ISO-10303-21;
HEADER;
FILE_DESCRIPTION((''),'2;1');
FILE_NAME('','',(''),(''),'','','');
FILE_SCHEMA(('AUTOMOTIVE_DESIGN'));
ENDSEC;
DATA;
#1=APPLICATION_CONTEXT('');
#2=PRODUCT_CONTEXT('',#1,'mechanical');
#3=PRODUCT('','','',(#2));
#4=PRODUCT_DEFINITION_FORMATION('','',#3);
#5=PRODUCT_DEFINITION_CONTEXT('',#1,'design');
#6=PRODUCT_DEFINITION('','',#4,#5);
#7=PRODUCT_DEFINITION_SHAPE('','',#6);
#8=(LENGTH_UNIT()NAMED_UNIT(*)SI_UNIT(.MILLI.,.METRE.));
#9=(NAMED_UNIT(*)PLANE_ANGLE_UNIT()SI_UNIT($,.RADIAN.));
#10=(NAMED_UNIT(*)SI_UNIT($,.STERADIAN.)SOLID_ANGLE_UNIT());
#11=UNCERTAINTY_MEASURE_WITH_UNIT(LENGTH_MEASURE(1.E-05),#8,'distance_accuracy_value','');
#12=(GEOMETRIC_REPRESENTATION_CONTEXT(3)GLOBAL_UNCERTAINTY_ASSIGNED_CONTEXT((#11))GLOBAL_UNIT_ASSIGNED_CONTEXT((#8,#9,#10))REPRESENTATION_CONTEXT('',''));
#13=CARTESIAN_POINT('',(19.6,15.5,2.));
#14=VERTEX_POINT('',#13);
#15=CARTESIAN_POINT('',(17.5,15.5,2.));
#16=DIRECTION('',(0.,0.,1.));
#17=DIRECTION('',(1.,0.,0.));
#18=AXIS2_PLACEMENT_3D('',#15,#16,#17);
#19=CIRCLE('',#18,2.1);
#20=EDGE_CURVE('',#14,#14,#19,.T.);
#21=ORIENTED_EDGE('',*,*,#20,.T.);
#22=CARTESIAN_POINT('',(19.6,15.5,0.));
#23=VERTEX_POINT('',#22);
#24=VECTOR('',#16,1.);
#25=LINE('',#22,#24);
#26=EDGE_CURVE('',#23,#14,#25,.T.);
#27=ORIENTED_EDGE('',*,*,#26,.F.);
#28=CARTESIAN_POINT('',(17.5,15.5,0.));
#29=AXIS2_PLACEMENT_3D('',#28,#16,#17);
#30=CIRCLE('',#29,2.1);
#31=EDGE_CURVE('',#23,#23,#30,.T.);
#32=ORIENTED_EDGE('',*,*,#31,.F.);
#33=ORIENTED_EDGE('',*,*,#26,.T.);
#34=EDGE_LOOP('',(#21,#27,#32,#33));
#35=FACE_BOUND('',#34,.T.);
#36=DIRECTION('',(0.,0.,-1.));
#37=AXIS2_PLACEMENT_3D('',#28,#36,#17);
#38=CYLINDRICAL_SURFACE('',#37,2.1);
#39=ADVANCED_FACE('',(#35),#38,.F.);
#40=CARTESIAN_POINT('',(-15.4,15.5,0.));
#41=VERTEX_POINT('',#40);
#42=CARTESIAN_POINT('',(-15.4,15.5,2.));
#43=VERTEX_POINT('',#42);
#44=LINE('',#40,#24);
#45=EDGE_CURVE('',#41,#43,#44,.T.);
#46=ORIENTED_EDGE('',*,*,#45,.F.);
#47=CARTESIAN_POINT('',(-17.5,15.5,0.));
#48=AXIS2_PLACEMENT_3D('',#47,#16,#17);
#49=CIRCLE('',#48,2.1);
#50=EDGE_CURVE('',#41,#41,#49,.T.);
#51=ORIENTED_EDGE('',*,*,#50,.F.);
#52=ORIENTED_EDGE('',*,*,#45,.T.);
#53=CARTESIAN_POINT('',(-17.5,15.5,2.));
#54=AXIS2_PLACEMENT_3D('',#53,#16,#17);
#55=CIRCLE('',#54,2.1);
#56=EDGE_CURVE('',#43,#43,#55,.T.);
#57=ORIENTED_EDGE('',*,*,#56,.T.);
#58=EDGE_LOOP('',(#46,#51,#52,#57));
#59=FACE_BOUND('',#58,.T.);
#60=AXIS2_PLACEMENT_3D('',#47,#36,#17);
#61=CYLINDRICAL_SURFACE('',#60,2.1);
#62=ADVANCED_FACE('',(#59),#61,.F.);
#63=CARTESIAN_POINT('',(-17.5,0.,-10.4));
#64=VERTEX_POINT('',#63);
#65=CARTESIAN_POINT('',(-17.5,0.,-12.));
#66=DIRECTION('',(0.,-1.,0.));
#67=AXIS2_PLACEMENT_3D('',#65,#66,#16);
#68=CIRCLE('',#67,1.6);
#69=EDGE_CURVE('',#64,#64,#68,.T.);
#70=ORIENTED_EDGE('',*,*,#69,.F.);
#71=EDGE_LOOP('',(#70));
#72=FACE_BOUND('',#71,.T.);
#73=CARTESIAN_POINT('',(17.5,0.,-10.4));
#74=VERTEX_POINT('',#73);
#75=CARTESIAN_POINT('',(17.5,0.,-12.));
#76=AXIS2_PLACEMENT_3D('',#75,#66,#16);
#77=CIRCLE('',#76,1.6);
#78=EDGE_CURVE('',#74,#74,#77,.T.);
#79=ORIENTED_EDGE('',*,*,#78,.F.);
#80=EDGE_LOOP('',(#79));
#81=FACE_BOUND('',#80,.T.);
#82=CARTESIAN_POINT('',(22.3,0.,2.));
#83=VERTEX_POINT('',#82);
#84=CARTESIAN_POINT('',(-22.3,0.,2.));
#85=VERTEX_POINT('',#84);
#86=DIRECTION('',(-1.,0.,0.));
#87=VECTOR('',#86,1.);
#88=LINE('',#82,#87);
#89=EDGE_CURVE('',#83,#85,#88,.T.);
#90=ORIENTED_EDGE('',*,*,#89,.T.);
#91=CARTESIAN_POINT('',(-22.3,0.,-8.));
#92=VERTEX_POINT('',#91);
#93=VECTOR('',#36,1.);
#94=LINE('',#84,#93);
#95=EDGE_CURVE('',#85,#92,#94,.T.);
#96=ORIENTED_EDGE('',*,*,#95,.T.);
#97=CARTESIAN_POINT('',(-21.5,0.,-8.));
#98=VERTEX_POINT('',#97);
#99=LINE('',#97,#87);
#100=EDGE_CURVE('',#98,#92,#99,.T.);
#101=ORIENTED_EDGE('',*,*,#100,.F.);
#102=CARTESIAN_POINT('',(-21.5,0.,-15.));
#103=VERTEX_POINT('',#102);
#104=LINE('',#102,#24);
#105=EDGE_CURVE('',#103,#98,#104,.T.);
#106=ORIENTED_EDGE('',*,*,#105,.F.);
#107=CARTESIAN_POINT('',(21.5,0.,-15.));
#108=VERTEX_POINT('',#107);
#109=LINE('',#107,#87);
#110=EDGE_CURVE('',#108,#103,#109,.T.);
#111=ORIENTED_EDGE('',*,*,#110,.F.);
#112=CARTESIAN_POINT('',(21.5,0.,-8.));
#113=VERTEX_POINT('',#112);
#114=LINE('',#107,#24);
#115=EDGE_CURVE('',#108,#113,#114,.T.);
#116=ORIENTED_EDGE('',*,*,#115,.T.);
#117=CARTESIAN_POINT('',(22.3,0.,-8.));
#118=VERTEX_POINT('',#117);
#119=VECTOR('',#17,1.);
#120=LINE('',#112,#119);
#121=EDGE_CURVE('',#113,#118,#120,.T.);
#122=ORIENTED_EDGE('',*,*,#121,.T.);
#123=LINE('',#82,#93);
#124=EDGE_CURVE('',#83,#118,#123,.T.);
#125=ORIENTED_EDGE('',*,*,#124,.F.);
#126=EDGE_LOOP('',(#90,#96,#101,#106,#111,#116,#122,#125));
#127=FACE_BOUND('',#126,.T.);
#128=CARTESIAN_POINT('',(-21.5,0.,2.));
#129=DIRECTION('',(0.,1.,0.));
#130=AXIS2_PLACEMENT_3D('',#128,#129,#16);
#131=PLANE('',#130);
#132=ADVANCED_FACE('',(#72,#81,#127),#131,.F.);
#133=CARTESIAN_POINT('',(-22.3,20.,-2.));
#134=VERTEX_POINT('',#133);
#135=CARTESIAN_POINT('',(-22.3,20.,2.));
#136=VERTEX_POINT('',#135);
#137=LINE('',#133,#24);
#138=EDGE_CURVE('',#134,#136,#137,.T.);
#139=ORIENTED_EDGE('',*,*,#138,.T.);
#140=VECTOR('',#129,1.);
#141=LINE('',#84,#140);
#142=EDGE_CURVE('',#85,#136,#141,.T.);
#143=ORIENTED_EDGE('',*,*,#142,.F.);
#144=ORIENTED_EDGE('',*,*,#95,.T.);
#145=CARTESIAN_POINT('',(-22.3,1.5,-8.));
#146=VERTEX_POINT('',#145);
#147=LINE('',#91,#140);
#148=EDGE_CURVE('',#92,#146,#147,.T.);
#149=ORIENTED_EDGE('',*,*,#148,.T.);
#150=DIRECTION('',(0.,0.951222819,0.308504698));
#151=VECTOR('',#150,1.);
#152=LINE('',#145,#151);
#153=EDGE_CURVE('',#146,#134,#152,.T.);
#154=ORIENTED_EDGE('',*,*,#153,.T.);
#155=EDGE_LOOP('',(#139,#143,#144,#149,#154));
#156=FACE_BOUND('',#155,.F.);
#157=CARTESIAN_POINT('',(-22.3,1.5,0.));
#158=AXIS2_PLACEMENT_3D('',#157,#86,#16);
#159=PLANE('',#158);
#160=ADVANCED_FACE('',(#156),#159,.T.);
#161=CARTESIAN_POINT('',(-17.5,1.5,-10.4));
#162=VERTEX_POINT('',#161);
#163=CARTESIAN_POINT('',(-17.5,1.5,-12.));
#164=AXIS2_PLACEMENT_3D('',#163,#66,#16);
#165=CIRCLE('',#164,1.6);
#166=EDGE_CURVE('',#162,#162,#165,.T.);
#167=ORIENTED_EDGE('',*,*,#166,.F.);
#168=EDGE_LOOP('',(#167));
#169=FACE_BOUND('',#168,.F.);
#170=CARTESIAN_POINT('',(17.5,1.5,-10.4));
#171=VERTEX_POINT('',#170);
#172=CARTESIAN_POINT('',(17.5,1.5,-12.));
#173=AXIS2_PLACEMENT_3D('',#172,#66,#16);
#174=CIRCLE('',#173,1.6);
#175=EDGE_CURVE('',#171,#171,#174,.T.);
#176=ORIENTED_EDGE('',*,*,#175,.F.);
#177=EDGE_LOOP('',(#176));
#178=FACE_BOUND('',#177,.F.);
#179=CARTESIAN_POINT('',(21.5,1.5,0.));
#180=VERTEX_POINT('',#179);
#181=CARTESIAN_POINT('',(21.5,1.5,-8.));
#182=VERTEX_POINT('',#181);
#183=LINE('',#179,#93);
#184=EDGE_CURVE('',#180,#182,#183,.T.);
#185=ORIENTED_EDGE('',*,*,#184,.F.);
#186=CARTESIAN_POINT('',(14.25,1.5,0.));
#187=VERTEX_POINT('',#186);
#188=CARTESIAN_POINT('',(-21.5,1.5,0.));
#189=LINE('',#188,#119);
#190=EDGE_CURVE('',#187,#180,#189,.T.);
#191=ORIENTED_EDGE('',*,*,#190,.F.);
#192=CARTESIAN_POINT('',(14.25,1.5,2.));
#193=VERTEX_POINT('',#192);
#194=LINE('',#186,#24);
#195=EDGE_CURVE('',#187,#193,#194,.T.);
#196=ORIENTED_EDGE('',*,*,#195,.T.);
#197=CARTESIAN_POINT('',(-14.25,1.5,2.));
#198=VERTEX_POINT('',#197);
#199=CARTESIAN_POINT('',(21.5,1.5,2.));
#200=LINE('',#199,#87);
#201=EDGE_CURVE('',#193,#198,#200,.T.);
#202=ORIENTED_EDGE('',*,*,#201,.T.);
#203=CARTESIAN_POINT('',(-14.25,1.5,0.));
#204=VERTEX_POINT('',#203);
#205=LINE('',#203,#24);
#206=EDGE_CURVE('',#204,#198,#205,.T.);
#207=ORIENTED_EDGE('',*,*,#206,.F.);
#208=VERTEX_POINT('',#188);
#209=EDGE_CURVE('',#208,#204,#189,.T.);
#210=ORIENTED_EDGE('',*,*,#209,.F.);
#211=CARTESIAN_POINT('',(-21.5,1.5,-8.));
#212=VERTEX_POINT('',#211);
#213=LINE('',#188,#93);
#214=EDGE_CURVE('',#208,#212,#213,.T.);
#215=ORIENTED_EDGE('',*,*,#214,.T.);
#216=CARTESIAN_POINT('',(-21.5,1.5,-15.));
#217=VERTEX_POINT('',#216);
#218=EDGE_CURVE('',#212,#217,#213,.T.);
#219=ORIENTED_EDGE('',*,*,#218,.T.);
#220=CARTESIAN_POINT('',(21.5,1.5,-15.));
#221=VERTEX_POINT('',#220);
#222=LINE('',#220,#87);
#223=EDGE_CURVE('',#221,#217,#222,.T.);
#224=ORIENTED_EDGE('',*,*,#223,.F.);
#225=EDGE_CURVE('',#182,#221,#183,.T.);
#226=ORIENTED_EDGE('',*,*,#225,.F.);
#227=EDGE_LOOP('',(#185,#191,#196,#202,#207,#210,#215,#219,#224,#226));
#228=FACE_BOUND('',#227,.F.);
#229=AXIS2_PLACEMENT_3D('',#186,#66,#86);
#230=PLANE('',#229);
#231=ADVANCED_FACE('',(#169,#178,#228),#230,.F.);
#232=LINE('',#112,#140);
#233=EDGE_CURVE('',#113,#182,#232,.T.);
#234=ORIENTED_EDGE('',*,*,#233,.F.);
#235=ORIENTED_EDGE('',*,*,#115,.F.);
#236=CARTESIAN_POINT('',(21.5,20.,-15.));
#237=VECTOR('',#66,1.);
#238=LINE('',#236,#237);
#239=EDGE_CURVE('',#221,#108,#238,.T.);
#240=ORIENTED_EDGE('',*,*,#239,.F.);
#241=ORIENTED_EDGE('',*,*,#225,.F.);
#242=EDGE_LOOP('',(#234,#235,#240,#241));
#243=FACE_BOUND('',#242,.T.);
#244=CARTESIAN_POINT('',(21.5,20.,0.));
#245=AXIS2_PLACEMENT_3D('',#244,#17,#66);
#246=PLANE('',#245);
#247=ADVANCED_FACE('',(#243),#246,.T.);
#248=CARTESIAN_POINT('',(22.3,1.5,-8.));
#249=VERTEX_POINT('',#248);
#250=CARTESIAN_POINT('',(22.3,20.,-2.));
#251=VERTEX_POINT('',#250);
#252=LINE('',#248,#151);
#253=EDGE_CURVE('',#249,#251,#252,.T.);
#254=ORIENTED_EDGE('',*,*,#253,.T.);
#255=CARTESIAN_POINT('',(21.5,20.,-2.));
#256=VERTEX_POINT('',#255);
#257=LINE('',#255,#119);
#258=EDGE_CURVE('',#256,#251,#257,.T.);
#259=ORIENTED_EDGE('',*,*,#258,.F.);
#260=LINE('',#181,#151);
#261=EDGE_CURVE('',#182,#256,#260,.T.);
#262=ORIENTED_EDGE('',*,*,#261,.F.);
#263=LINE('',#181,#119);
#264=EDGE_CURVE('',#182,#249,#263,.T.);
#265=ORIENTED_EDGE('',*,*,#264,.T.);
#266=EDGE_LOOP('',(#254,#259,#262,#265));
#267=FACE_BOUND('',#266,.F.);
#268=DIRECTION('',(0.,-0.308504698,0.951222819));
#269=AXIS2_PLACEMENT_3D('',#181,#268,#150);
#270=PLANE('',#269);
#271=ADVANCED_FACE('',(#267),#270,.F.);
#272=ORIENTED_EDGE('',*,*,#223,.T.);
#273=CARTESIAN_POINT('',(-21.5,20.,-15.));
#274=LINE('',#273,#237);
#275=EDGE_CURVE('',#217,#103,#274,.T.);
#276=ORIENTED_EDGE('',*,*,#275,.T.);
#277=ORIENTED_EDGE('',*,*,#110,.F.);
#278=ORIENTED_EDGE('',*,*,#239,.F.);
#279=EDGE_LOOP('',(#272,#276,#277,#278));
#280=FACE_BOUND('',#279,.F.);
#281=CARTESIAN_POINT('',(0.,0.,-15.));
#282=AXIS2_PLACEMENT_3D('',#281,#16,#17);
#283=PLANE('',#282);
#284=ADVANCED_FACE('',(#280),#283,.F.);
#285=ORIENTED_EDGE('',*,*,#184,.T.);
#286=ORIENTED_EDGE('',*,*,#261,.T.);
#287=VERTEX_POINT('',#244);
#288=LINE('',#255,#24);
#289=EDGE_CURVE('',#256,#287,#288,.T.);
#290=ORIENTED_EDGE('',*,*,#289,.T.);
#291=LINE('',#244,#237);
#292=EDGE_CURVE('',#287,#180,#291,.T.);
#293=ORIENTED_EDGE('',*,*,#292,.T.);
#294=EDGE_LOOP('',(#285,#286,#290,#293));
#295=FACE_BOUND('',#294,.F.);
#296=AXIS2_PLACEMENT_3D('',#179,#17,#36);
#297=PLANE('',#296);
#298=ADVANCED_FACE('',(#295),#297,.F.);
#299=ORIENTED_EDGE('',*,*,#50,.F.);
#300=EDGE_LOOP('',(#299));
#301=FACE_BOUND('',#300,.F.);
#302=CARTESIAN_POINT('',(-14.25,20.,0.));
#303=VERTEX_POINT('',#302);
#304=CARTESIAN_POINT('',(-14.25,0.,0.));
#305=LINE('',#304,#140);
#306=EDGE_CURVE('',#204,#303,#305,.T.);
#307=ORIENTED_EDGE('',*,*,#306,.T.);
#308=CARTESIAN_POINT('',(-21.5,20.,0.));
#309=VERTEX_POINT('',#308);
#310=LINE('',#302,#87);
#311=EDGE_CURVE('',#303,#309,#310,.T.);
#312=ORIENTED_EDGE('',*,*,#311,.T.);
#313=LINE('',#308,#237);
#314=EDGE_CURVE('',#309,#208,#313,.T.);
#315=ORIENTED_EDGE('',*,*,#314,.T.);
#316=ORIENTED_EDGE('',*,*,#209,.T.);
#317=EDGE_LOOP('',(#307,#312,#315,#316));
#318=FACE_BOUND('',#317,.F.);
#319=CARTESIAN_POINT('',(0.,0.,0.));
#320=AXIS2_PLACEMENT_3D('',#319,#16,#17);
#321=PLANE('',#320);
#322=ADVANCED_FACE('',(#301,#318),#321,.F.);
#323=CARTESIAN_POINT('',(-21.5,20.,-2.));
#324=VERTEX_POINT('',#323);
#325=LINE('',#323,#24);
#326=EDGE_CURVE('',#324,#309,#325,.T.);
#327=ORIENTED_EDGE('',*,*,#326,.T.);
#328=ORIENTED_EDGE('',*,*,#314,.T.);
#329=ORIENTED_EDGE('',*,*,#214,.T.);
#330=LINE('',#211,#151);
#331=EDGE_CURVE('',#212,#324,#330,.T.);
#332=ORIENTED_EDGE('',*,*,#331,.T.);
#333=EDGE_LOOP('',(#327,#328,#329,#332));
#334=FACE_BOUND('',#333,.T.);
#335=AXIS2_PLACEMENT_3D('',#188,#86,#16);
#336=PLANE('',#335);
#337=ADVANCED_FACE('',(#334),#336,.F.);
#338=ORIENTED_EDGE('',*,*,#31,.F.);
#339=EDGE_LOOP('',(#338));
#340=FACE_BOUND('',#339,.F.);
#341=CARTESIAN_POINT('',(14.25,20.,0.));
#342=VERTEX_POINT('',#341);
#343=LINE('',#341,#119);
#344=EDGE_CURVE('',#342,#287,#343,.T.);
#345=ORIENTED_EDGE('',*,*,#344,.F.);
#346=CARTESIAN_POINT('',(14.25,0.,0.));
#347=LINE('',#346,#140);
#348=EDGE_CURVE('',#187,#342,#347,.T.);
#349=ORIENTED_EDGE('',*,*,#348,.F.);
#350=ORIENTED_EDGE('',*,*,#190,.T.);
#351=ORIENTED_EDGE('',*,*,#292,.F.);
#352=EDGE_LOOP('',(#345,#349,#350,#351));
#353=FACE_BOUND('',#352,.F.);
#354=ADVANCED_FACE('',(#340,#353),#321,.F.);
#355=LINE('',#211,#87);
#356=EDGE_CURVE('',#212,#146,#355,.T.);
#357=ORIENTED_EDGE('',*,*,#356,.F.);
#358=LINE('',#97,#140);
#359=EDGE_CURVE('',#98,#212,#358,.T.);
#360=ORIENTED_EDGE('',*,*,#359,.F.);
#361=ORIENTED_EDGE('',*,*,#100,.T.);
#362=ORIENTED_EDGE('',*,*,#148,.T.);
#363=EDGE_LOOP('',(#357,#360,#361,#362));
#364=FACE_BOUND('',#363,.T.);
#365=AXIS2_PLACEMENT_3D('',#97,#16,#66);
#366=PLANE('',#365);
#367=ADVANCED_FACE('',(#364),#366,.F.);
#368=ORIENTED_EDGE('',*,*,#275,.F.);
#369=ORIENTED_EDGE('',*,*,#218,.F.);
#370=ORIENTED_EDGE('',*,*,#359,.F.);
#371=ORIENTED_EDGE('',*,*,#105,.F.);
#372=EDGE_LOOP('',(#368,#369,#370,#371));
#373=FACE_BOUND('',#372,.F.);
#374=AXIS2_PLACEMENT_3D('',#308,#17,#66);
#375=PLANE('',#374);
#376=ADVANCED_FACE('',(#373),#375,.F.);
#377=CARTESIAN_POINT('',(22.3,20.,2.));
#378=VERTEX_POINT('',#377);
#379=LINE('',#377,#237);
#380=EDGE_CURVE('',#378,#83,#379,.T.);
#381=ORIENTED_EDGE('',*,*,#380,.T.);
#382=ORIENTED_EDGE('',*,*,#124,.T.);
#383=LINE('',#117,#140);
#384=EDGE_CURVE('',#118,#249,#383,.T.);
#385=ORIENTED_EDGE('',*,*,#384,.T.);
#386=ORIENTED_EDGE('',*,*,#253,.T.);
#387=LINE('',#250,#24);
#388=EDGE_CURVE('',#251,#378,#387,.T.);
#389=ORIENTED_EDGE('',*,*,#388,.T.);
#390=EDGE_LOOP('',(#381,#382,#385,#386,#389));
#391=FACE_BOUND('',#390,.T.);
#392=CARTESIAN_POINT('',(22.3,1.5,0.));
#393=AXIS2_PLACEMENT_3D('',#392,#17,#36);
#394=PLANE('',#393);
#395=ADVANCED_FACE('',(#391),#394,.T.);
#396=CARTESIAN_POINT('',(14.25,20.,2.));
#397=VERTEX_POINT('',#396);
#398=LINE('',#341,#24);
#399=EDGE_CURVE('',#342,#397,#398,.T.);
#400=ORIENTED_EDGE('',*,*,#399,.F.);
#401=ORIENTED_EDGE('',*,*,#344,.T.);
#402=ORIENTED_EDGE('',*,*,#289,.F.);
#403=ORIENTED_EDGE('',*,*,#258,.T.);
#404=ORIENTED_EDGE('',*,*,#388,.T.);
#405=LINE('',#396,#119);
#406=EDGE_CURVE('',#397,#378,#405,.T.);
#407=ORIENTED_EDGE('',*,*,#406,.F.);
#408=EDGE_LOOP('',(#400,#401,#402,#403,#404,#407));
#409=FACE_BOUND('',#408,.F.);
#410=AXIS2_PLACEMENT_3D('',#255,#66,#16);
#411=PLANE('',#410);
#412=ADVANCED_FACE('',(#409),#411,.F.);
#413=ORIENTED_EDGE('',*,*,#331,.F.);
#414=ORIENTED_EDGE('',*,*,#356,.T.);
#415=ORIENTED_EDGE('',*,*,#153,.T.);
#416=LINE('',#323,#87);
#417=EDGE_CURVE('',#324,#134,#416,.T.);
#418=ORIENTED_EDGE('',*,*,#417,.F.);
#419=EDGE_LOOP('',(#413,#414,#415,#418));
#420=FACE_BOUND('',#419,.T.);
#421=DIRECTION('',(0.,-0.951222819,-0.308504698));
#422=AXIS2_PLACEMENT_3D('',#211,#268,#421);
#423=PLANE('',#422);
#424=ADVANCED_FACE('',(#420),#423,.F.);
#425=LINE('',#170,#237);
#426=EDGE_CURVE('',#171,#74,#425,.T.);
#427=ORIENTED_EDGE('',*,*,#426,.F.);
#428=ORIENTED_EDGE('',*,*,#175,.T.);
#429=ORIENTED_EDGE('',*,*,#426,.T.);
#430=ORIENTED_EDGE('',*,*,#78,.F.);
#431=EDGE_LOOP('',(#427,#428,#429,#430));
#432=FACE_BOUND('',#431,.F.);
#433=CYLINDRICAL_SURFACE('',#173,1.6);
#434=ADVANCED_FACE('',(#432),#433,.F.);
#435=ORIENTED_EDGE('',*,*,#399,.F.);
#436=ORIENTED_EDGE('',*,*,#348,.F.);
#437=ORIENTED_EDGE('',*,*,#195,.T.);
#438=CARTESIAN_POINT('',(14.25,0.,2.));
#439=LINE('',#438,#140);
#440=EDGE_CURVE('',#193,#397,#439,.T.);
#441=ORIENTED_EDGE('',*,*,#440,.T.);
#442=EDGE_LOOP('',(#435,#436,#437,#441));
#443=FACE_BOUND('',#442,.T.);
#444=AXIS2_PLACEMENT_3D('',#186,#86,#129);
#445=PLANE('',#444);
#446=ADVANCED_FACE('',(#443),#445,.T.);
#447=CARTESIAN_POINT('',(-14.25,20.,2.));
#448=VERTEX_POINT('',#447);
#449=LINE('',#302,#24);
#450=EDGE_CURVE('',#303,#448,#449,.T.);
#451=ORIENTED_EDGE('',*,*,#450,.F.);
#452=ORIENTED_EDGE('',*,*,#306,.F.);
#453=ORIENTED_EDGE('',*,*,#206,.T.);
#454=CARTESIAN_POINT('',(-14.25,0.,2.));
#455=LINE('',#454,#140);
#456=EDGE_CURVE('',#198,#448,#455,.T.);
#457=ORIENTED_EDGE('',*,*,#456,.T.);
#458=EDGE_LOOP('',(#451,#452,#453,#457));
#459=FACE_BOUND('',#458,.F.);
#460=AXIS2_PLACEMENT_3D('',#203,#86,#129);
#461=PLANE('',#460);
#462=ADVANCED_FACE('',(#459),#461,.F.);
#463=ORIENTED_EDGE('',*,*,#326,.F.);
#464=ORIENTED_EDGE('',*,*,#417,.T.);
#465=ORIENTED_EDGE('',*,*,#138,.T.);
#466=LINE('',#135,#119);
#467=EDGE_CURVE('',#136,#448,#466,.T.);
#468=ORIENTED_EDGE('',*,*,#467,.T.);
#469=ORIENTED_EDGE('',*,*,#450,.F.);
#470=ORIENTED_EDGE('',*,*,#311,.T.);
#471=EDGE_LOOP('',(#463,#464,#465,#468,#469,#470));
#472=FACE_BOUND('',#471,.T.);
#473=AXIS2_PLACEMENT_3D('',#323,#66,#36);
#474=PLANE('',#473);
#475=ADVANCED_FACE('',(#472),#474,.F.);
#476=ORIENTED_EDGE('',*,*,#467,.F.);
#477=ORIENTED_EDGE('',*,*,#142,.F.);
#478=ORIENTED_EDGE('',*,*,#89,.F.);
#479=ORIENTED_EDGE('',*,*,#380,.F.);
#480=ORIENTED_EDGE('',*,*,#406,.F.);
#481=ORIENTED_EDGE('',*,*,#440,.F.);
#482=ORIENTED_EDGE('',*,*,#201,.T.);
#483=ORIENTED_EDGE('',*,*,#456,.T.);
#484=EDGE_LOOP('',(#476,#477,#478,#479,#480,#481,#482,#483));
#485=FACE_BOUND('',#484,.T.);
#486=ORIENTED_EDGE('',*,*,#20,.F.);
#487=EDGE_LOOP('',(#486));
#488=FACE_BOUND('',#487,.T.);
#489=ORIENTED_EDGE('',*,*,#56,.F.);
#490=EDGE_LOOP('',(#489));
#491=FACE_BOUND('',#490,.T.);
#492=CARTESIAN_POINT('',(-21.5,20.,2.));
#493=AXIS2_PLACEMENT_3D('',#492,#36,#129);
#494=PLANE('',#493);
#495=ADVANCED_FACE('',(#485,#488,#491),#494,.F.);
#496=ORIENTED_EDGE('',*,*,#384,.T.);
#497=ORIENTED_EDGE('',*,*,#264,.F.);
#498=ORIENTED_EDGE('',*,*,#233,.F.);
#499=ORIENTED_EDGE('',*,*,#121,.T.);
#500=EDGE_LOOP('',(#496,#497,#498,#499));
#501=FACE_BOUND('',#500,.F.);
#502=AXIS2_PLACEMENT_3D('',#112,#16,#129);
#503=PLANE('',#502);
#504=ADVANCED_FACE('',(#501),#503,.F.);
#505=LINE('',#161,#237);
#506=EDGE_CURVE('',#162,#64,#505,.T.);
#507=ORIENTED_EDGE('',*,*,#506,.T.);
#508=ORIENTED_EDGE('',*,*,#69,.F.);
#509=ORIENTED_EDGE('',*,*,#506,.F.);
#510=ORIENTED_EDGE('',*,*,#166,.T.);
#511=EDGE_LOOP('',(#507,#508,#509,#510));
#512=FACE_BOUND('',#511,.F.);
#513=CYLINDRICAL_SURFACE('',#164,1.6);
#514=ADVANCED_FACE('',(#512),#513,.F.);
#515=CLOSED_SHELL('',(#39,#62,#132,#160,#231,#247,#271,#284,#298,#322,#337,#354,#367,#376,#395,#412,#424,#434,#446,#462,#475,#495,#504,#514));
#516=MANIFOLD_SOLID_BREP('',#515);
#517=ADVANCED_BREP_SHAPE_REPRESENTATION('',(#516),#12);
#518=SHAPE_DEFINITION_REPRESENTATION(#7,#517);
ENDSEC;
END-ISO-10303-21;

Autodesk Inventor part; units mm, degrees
ref_plane "YZ Plane" through (0, 0, 0) normal (1, 0, 0) x (0, 1, 0)
ref_plane "XZ Plane" through (0, 0, 0) normal (0, 1, 0) x (-1, 0, 0)
ref_plane "XY Plane" through (0, 0, 0) normal (0, 0, 1) x (1, 0, 0)
sketch "スケッチ1" plane through (0, 0, 0) normal (0, 0, 1) x (1, 0, 0)
  line L0 (0, 0) -> (0, 23.3181) construction
  line L1 (-22.6457, 15.5) -> (22.6457, 15.5) construction
  line L2 (-20.3832, 1.5) -> (20.3832, 1.5) construction
  circle A0 centre (0, 15.5) radius 14 construction
  line L3 (-22.6457, 7.5) -> (22.6457, 7.5) construction
  circle A1 centre (-17.5, 15.5) radius 2.1
  circle A2 centre (17.5, 15.5) radius 2.1
  line L4 (-21.5, 20) -> (-21.5, 0)
  line L5 (-21.5, 0) -> (-14.25, 0)
  line L6 (-14.25, 0) -> (-14.25, 20)
  line L7 (21.5, 20) -> (21.5, 0)
  line L8 (21.5, 0) -> (14.25, 0)
  line L9 (14.25, 0) -> (14.25, 20)
  line L10 (-14.25, 20) -> (-21.5, 20)
  line L11 (14.25, 20) -> (21.5, 20)
  line L12 (21.5, 1.5) -> (-21.5, 1.5)
  line L13 (-21.5, 1.5) -> (-21.5, 0)
  line L14 (-21.5, 0) -> (21.5, 0)
  line L15 (21.5, 0) -> (21.5, 1.5)
  point P0 (0, 1.5)
  point P1 (0, 7.5)
  point P2 (14.25, 1.5)
  point P3 (-14.25, 1.5)
  dimension "d0" = 28
  dimension "d1" = 1.5
  dimension "d2" = 8
  dimension "d3" = 4.2
  dimension "d4" = 35
  dimension "d6" = 20
  dimension "d29" = 3.25
  dimension "d30" = 3.25
  dimension "d31" = 4
  dimension "d32" = 4
extrude "前" add sketch "スケッチ1" along normal blind 2
extrude "底" add sketch "スケッチ1" against normal blind 15 contours L12 L6 L5 L4 | L12 L9 L14 L6 | L12 L7 L8 L9
sketch "スケッチ5" plane through (-14.25, 1.5, 2) normal (0, 1, 0) x (1, 0, 0)
  line L0 (14.25, -6.214) -> (14.25, 25.3742) construction
  line L1 (28.5, 0) -> (0, 0) construction
  point P0 (14.25, 2)
  point P1 (-3.25, 14)
  point P2 (31.75, 14)
  dimension "d33" = 35
  dimension "d34" = 14
hole "穴2" at (-17.5, 1.5, -12) at (17.5, 1.5, -12) direction (0, -1, 0) diameter 3.2 end through all
sketch "スケッチ6" plane through (21.5, 1.5, 0) normal (1, 0, 0) x (0, 0, -1)
  line L0 (2, 18.5) -> (-2, 18.5)
  line L1 (-2, 18.5) -> (-2, 0) projected
  line L2 (-2, 18.5) -> (-2, -1.5)
  line L3 (-2, -1.5) -> (8, -1.5)
  line L4 (8, -1.5) -> (8, 0)
  line L5 (8, 0) -> (2, 18.5)
  point P0 (0, -1.5)
  point P1 (15, 0)
  dimension "d42" = 4
  dimension "d43" = 10
extrude "押し出し5" add sketch "スケッチ6" along normal blind 0.8
mirror "ミラー3" about plane through (0, 0, 0) normal (1, 0, 0) of "押し出し5"
equation "\"d30\" = d29"
equation "\"d32\" = d31"
properties part number "28BYJ-48_Braket2"
